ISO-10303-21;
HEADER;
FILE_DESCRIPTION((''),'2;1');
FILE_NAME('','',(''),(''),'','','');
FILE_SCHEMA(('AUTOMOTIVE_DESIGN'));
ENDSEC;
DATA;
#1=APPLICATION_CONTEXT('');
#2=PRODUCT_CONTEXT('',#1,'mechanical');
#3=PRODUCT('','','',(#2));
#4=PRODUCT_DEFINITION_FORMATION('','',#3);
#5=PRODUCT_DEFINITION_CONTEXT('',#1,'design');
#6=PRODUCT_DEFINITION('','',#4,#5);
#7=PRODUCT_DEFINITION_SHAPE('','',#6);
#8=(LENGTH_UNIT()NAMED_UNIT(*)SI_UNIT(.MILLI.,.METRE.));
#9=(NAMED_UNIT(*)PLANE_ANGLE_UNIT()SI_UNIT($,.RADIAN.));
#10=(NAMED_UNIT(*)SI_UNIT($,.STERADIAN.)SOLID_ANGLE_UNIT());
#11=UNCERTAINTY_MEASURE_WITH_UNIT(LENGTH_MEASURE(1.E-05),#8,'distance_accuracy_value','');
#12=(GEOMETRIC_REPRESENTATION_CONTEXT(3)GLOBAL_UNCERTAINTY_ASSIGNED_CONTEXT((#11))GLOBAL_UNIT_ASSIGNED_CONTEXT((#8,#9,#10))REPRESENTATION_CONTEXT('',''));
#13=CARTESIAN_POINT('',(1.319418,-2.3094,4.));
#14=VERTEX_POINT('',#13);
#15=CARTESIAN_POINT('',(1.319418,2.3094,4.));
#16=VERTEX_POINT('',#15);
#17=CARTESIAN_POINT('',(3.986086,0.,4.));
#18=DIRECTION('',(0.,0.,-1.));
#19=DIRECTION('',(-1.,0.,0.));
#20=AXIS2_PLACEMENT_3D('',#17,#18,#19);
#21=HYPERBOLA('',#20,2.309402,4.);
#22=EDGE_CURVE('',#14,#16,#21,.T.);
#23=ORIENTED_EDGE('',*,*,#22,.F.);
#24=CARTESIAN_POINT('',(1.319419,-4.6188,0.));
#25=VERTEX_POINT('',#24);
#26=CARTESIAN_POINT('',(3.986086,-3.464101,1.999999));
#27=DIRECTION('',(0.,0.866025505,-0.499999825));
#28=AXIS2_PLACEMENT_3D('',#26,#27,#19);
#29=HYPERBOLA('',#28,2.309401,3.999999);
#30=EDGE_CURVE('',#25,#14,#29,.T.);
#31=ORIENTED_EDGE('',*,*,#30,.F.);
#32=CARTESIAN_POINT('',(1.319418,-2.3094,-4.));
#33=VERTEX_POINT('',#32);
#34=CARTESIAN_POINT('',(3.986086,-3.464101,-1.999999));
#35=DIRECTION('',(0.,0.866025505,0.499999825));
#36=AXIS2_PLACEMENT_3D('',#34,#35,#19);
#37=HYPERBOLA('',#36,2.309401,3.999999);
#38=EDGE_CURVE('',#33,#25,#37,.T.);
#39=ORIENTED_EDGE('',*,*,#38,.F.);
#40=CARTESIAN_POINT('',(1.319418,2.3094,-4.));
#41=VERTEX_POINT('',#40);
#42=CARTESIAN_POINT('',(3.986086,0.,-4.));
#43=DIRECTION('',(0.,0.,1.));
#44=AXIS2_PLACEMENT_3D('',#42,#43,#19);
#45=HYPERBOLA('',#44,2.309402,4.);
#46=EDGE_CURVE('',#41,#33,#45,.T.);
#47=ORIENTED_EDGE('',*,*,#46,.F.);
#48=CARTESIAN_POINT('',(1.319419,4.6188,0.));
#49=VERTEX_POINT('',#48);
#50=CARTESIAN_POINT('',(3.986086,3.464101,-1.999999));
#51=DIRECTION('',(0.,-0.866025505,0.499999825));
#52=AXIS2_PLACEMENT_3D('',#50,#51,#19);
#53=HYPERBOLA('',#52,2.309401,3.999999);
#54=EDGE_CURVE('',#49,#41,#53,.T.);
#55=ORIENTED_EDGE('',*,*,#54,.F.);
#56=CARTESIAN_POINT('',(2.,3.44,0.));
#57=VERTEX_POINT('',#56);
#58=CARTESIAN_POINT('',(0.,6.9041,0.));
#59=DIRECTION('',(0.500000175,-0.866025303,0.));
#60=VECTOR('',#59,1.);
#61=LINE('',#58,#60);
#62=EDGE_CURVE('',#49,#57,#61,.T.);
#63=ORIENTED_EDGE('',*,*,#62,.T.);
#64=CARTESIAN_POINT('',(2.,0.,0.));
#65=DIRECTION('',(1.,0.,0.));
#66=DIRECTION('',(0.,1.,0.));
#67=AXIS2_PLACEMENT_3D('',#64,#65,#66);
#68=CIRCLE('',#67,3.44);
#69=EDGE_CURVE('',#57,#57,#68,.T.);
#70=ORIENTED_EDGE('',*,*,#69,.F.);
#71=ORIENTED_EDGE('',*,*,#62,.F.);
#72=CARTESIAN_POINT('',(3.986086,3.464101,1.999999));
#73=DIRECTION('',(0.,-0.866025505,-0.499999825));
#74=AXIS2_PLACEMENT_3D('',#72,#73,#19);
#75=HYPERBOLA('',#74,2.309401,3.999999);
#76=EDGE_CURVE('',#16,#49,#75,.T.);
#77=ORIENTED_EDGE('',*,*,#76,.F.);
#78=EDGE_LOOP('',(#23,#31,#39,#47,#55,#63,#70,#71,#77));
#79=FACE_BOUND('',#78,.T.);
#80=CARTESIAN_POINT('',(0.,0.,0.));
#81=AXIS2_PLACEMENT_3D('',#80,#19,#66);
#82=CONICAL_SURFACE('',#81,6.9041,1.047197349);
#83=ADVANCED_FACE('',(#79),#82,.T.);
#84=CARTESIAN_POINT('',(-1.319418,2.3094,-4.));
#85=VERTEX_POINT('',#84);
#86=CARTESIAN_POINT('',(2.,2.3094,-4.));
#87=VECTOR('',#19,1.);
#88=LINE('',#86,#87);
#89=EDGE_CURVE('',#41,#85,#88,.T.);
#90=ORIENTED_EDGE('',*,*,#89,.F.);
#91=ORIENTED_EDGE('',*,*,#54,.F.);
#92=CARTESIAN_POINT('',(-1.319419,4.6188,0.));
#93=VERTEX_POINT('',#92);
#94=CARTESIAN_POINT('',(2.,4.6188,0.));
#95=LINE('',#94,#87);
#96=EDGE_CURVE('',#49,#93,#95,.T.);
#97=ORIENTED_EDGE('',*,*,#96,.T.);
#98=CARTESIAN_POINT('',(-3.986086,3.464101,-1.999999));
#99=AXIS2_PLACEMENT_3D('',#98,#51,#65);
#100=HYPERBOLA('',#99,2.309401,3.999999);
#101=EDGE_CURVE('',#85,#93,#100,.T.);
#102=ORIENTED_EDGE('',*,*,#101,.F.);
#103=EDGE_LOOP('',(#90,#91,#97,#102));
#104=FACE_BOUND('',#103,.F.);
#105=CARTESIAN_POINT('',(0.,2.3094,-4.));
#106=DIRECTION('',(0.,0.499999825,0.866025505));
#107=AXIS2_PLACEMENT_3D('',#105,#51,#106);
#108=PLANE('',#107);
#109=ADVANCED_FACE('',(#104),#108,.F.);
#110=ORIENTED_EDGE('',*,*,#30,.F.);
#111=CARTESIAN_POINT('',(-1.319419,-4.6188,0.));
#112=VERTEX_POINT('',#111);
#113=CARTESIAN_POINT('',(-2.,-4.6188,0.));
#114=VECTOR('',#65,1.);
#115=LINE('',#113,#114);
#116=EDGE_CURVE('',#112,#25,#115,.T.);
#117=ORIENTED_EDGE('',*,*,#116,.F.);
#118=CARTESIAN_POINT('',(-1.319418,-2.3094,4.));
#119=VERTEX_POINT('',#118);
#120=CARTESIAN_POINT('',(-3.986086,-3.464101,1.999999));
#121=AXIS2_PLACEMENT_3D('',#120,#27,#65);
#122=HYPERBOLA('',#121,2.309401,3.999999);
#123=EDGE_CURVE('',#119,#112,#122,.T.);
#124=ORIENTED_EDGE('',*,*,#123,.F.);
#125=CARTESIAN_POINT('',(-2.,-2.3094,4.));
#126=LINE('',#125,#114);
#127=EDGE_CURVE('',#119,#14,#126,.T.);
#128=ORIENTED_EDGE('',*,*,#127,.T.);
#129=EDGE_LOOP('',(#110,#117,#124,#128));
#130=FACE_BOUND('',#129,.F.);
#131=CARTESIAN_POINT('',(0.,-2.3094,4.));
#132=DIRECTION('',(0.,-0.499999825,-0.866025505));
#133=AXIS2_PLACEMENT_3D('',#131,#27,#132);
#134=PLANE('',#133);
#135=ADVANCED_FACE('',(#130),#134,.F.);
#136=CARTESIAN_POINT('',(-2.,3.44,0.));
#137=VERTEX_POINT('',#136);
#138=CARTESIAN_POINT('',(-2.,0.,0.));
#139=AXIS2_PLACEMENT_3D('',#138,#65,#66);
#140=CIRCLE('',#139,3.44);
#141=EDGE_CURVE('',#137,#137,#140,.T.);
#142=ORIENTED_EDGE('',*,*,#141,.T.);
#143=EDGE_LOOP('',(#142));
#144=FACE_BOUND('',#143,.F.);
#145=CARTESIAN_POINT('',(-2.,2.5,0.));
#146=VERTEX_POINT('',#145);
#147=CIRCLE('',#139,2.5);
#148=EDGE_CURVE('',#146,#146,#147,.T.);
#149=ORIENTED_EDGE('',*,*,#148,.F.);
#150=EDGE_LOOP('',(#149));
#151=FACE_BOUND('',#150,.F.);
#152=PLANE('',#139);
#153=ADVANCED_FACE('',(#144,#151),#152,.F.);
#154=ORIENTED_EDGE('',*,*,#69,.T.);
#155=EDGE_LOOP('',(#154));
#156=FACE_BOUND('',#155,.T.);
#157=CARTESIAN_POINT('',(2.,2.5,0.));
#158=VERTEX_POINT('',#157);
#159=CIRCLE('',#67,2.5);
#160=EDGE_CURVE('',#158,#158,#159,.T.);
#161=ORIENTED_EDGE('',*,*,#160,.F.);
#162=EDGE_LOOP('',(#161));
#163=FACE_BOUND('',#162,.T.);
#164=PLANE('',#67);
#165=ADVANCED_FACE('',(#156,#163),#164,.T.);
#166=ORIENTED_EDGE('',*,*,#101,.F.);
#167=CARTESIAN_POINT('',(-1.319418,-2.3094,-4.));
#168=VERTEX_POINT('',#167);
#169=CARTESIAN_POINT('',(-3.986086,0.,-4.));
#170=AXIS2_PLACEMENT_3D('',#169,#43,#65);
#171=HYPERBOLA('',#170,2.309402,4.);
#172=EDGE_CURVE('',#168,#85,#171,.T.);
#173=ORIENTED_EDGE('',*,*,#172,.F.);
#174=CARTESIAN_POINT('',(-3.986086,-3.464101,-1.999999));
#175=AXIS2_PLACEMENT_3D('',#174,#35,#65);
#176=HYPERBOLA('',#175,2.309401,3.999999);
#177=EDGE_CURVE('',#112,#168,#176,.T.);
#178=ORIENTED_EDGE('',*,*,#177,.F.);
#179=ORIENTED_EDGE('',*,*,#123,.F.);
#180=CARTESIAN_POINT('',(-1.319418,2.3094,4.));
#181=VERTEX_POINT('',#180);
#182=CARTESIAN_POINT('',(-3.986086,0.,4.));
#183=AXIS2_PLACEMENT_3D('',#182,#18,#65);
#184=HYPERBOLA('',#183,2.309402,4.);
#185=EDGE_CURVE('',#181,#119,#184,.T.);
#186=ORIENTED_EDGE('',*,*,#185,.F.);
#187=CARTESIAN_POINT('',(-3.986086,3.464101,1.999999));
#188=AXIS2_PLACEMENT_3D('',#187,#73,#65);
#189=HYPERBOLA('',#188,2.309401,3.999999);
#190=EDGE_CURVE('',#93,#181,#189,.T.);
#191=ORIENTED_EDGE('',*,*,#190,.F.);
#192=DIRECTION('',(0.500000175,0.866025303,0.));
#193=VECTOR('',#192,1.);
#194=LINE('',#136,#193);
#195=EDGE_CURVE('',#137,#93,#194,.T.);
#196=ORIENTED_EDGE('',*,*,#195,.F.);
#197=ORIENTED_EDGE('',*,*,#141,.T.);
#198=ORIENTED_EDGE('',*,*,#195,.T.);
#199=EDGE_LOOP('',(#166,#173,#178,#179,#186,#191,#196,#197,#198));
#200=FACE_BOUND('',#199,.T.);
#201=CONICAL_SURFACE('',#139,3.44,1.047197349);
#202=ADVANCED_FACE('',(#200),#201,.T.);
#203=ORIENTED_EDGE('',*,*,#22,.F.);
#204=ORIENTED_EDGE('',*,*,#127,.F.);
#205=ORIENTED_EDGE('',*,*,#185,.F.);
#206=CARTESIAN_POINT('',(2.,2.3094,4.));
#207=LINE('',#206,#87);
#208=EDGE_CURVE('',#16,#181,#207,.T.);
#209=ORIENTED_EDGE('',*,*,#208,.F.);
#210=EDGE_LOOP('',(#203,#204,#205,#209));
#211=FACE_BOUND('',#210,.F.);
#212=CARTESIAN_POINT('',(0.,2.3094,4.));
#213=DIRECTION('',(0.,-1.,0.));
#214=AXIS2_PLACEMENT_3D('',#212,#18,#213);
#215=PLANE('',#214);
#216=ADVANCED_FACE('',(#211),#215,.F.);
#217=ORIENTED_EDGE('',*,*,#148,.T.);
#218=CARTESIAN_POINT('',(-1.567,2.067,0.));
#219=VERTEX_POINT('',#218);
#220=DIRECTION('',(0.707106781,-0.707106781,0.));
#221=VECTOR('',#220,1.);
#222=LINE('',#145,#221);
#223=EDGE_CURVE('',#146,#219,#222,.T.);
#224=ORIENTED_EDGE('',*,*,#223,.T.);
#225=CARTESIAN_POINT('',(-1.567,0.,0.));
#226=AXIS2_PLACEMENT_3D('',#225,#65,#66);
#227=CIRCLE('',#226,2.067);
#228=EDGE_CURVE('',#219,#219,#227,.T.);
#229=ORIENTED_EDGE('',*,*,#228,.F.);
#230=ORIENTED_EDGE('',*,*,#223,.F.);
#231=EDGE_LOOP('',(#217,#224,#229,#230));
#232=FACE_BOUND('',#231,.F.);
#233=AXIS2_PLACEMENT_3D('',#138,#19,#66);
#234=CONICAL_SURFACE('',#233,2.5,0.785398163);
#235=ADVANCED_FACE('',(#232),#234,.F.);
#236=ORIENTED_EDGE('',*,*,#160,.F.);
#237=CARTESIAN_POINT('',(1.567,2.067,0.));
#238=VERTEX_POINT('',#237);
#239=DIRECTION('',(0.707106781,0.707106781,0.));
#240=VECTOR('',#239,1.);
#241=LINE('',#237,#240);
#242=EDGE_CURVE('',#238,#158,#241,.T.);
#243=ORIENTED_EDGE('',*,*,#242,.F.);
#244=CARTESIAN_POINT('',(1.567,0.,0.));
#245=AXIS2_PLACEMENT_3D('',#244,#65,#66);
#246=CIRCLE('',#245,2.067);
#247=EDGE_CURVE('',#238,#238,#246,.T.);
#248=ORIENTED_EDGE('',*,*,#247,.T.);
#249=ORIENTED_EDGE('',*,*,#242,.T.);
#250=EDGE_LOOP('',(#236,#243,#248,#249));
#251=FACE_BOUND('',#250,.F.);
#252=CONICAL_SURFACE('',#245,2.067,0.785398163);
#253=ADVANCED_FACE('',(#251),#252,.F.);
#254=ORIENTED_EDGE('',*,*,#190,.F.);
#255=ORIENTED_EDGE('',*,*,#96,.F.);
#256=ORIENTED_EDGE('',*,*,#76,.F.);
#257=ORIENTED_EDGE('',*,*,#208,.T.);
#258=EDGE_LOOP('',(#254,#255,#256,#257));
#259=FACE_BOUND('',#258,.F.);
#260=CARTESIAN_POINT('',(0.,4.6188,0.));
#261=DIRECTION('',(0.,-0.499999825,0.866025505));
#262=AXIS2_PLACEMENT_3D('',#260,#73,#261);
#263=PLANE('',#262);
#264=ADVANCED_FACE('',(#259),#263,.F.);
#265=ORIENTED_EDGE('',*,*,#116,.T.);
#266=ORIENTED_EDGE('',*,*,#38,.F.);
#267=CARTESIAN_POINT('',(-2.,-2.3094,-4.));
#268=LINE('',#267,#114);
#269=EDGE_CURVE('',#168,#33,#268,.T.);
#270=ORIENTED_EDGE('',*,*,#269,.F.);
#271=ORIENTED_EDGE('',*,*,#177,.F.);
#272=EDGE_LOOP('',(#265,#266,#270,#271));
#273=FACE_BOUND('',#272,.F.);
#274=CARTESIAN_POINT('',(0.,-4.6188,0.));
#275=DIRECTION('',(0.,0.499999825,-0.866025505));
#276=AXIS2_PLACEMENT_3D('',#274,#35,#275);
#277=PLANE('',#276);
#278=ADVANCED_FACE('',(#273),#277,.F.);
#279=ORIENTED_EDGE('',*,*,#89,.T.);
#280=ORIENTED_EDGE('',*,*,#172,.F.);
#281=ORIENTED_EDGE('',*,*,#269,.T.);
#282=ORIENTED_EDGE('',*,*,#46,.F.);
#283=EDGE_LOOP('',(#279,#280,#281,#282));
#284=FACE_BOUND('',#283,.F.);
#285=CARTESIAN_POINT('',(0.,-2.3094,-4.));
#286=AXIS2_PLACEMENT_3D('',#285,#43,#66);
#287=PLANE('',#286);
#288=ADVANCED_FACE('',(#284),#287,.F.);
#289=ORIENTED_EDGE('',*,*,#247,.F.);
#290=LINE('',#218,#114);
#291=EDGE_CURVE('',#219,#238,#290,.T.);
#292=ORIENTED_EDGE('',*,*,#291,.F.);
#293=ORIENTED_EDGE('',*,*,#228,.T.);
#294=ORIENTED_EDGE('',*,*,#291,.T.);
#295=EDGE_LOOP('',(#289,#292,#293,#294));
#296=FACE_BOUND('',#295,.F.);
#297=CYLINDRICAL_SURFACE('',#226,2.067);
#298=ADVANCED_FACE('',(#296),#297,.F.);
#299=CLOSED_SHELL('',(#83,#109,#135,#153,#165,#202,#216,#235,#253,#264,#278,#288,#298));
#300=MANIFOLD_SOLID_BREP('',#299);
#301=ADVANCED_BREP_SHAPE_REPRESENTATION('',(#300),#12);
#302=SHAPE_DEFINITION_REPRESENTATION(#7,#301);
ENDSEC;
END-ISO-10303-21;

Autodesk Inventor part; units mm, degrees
sketch "B" plane through (0, 0, 0) normal (1, 0, 0) x (0, 1, 0)
  line L0 (-2.3094, 4) -> (-4.6188, 0)
  line L1 (-4.6188, 0) -> (-2.3094, -4)
  line L2 (-2.3094, -4) -> (2.3094, -4)
  line L3 (2.3094, -4) -> (4.6188, 0)
  line L4 (4.6188, 0) -> (2.3094, 4)
  line L5 (2.3094, 4) -> (-2.3094, 4)
extrude "Extrusion1" add sketch "B" along normal mid plane 4
sketch "Sketch_2" plane through (0, 0, 0) normal (0, 0, 1) x (1, 0, 0)
  line L0 (2, 0) -> (-2, 0)
  line L1 (-2, 0) -> (-2, 2.5)
  line L2 (-2, 2.5) -> (-1.567, 2.067)
  line L3 (-1.567, 2.067) -> (1.567, 2.067)
  line L4 (1.567, 2.067) -> (2, 2.5)
  line L5 (2, 2.5) -> (2, 0)
  line L6 (2, 0) -> (-2, 0)
revolve "Revolution1" cut sketch "Sketch_2" angle 360 about axis through (2, 0, 0) along (1, 0, 0)
thread "Thread1" size "M5x0.8" class "6H" standard "ISO Metric profile" full length
sketch "Sketch_3" plane through (0, 0, 0) normal (0, 0, 1) x (1, 0, 0)
  line L0 (50, 0) -> (-50, 0)
  line L1 (-7, 1) -> (-2, 1)
  line L2 (-2, 1) -> (-2, 3.44)
  line L3 (-2, 3.44) -> (0, 6.9041)
  line L4 (0, 6.9041) -> (2, 3.44)
  line L5 (2, 3.44) -> (2, 1)
  line L6 (2, 1) -> (7, 1)
  line L7 (7, 1) -> (7, 8.44)
  line L8 (7, 8.44) -> (-7, 8.44)
  line L9 (-7, 8.44) -> (-7, 1)
revolve "Revolution2" cut sketch "Sketch_3" angle 360 about axis through (50, 0, 0) along (1, 0, 0)
ref_plane "nt_XY" through (0, 0, 0) normal (1, 0, 0) x (0, 0, -1)
ref_plane "nt_YZ" through (0, 0, 0) normal (0, 0, -1) x (0, 1, 0)
ref_plane "nt_ZX" through (0, 0, 0) normal (0, 1, 0) x (1, 0, 0)
ref_plane "ntj_XY" through (2, 0, 0) normal (1, 0, 0) x (0, 0, -1)
ref_plane "ntj_YZ" through (2, 0, 0) normal (0, 0, -1) x (0, 1, 0)
ref_plane "ntj_ZX" through (2, 0, 0) normal (0, 1, 0) x (1, 0, 0)
properties part number "NTJ-015C"
